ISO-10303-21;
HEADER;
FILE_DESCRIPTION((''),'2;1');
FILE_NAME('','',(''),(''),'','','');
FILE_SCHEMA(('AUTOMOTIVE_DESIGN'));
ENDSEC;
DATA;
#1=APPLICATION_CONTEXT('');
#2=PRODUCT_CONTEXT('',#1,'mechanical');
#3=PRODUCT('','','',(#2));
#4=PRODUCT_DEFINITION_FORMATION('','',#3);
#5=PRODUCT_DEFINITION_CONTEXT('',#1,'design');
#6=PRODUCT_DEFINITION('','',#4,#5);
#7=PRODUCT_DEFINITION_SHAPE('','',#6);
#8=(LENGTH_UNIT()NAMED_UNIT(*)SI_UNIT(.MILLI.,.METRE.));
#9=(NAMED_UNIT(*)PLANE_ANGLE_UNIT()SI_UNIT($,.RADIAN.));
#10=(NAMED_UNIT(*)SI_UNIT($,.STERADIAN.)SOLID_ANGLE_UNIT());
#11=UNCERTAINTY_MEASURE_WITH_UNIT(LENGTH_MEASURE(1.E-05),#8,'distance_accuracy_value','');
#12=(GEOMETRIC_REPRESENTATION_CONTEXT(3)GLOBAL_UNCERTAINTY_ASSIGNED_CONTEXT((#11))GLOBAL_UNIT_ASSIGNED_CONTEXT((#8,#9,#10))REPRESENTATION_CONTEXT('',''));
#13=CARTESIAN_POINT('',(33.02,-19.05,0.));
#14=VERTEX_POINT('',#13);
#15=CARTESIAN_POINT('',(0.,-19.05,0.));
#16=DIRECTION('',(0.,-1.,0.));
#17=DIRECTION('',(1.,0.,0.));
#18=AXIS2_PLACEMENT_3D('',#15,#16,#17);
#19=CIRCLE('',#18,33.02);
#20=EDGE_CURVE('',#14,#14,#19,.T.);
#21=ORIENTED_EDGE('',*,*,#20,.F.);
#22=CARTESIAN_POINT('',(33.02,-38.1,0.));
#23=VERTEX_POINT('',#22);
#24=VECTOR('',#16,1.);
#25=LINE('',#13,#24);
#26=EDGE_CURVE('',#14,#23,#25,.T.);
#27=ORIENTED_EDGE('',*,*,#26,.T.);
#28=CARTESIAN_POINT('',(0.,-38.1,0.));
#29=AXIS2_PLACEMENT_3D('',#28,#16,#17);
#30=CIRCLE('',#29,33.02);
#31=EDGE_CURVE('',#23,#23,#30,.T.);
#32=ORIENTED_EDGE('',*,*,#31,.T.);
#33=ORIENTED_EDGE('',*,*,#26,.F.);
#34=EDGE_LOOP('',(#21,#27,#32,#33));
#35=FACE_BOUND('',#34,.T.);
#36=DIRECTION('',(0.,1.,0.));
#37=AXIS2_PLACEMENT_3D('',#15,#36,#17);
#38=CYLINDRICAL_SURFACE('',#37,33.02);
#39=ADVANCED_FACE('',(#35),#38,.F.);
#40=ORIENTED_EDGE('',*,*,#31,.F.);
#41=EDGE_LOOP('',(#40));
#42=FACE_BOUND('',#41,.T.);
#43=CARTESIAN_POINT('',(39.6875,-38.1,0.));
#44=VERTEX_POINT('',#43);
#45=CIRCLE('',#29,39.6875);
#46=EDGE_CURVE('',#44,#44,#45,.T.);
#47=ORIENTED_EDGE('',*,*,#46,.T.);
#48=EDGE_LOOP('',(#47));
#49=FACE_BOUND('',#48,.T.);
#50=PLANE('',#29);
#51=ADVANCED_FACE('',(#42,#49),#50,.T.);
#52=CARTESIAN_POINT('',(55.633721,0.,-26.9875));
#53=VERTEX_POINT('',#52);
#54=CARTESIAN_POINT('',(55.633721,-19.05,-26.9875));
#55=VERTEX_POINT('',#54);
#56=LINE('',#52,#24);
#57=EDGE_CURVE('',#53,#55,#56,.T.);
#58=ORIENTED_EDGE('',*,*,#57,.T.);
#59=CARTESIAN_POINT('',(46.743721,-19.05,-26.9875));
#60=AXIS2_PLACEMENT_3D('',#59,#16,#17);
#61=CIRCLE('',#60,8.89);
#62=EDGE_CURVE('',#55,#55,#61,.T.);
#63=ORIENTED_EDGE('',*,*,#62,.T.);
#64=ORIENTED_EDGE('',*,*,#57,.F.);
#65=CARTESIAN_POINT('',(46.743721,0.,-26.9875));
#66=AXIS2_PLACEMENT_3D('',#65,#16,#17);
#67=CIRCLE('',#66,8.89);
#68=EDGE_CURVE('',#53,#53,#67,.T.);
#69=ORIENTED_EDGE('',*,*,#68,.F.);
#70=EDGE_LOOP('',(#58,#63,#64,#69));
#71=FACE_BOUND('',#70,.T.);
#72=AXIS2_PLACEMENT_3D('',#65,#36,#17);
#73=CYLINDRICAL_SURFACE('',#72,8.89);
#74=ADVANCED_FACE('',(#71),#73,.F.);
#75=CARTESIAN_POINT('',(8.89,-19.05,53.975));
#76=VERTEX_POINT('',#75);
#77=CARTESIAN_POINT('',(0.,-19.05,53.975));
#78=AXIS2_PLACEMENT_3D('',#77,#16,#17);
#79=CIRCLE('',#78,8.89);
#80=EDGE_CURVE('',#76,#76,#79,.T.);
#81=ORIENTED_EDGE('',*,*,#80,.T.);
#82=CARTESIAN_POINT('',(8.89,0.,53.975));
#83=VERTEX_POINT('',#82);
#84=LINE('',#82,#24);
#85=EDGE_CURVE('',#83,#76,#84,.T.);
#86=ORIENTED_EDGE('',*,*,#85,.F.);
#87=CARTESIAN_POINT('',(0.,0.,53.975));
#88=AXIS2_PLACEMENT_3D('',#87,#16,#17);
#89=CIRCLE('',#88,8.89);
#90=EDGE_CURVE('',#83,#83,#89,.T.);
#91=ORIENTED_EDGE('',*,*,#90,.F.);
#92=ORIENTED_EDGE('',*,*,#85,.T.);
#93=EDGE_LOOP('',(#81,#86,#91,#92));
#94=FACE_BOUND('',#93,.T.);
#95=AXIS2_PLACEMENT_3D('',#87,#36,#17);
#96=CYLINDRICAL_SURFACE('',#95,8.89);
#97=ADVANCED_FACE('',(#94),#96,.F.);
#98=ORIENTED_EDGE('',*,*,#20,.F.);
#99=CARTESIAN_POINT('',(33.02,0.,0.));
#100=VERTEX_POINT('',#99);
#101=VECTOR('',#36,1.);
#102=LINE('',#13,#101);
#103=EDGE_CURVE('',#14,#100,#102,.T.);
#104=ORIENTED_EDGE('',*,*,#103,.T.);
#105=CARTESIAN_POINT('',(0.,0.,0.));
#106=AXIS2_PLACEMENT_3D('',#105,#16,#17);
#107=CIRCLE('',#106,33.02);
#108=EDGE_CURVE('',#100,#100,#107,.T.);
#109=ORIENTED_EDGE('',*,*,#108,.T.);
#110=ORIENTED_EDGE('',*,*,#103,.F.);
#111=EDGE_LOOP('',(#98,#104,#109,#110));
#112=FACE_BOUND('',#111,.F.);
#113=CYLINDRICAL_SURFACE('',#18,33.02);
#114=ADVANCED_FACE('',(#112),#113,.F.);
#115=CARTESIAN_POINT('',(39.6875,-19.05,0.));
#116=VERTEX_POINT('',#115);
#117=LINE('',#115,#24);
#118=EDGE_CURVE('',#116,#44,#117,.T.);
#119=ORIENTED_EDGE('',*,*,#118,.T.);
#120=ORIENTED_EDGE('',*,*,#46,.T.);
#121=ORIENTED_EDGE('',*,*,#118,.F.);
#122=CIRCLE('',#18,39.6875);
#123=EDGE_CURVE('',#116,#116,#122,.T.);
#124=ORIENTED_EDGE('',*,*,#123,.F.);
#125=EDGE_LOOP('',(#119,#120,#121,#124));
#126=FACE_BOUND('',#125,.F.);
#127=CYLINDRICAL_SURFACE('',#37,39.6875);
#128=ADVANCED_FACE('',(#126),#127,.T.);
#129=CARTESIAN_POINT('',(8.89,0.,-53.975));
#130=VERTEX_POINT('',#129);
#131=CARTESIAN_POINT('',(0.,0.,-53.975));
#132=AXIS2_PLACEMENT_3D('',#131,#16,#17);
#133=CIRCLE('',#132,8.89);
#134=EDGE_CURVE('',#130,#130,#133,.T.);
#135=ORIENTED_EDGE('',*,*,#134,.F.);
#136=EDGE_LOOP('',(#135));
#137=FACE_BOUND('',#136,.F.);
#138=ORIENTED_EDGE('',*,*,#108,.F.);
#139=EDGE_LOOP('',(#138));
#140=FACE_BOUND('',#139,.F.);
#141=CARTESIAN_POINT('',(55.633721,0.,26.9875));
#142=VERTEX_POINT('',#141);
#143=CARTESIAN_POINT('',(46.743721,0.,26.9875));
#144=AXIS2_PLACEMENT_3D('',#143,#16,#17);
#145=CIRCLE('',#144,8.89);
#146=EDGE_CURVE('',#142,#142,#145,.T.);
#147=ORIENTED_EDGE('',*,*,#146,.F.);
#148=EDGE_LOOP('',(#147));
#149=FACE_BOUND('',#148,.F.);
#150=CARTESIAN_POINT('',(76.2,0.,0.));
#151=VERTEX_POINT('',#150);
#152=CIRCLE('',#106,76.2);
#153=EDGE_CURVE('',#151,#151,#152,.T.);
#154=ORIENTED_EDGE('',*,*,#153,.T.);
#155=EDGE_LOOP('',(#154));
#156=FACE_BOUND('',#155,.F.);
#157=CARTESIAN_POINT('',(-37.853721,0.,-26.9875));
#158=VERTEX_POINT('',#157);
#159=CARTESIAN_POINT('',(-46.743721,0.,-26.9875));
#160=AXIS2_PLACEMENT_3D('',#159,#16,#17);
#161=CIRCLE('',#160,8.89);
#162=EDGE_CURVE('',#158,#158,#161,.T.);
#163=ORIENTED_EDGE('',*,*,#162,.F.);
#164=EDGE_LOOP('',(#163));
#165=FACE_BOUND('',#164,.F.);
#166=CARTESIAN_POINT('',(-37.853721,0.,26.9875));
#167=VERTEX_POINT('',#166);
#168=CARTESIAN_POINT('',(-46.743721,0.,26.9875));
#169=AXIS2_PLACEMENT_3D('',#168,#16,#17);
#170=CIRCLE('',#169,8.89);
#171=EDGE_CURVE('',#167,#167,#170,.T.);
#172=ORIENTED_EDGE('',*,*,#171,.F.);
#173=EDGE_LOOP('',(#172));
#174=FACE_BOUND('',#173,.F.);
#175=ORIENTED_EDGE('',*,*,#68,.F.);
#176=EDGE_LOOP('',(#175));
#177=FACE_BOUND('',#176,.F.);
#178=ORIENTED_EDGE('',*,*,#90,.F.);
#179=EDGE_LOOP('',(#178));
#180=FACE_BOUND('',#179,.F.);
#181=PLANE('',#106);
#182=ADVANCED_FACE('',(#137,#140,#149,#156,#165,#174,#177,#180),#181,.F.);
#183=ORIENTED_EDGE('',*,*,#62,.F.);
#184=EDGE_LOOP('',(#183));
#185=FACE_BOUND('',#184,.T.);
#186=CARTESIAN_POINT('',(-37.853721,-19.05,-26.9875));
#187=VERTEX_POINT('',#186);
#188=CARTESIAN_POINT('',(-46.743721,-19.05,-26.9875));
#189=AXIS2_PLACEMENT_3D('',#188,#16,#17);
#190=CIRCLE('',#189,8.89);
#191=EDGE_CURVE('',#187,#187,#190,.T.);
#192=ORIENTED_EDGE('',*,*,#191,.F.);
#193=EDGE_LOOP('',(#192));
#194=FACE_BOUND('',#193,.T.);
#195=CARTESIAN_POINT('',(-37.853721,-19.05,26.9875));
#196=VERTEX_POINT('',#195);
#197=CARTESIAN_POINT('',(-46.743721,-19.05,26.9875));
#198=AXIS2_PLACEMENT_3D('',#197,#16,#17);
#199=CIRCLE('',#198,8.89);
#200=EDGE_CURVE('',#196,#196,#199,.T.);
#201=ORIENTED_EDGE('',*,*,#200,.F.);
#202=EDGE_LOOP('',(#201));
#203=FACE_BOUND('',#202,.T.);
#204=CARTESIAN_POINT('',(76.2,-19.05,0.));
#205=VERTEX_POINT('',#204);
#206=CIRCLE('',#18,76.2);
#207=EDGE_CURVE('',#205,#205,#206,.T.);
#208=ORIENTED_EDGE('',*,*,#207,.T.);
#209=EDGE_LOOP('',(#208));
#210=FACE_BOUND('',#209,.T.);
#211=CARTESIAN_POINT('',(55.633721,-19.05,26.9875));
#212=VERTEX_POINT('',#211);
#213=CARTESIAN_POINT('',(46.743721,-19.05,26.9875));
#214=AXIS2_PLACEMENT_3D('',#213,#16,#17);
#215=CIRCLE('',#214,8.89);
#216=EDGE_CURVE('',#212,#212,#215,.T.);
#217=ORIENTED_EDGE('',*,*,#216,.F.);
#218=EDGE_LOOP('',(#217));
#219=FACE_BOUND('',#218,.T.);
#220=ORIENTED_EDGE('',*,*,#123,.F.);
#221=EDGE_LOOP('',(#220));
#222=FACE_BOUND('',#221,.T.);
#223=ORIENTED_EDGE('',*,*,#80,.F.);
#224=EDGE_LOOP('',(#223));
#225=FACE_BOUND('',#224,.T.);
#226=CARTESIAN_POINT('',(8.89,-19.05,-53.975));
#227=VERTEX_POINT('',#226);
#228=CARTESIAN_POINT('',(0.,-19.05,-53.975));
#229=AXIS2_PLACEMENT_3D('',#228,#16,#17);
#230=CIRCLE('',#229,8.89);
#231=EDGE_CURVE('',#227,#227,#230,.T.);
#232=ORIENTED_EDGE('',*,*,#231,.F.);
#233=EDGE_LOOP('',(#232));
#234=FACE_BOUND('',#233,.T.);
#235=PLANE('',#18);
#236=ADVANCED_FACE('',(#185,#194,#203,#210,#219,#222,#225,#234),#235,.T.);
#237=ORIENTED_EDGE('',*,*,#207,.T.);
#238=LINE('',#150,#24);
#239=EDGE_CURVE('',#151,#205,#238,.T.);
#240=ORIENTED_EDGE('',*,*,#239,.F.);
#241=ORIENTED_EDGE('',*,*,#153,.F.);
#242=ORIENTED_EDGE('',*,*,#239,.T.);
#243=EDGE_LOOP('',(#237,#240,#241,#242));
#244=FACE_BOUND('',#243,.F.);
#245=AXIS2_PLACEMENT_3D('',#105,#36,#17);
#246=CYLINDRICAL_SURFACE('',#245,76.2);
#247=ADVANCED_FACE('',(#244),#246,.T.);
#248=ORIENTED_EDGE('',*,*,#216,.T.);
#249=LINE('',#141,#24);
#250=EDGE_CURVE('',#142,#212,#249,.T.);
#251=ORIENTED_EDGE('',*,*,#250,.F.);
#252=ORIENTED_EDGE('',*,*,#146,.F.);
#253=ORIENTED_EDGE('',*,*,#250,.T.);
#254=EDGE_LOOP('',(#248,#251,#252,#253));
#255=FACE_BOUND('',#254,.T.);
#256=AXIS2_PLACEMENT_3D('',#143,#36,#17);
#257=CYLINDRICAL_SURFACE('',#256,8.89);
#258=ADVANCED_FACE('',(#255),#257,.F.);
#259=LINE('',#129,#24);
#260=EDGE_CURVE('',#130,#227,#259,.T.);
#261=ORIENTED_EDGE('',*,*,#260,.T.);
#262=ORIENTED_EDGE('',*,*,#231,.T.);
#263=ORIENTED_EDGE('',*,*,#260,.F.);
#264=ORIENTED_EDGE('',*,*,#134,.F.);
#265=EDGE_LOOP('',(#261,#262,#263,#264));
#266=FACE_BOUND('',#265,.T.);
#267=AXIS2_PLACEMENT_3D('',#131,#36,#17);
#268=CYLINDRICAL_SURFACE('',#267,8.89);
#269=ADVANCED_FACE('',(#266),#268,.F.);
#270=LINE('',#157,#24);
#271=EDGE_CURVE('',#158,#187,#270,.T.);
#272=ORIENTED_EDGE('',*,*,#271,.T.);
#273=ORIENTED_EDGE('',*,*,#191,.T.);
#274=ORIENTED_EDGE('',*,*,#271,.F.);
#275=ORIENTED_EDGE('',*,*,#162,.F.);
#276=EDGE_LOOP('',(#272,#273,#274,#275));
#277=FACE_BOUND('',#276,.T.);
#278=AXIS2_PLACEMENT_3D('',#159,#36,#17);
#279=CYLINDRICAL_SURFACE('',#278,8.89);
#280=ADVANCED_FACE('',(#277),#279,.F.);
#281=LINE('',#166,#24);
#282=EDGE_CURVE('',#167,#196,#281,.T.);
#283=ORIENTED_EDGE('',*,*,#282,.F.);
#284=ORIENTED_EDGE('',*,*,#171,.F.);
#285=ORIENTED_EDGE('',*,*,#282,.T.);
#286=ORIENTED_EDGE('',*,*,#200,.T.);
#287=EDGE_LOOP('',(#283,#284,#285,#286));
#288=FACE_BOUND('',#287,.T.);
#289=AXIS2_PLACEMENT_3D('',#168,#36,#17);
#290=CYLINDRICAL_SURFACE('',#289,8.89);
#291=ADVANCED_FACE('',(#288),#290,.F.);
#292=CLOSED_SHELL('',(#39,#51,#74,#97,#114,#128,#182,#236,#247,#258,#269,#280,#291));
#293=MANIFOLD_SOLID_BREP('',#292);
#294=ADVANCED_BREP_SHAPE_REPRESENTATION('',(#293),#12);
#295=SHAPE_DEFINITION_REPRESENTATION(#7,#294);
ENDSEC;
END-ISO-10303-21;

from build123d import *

# Parameters (mm, degrees)
F0_R     = 76.2
F0_R_2   = 8.89
F1_DEPTH = 19.05
F2_R     = 39.6875
F2_R_2   = 33.02
F3_DEPTH = 19.05
F4_R     = 33.02
F5_DEPTH = 25.4


with BuildPart() as f1:
    # F0 (on Front) → F1 (new body)
    with BuildSketch(Plane.XZ):
        Circle(F0_R)
        with Locations((-46.743721, -26.9875)):
            Circle(F0_R_2, mode=Mode.SUBTRACT)
        with Locations((0, -53.975)):
            Circle(F0_R_2, mode=Mode.SUBTRACT)
        with Locations((46.743721, -26.9875)):
            Circle(F0_R_2, mode=Mode.SUBTRACT)
        with Locations((-46.743721, 26.9875)):
            Circle(F0_R_2, mode=Mode.SUBTRACT)
        with Locations((46.743721, 26.9875)):
            Circle(F0_R_2, mode=Mode.SUBTRACT)
        with Locations((0, 53.975)):
            Circle(F0_R_2, mode=Mode.SUBTRACT)
    extrude(amount=F1_DEPTH)

    # F2 (on face) → F3 (join)
    with BuildSketch(Plane.XZ.offset(19.05)):
        Circle(F2_R)
        Circle(F2_R_2, mode=Mode.SUBTRACT)
    extrude(amount=F3_DEPTH)

    # F4 (on face) → F5 (cut)
    with BuildSketch(Plane.XZ.offset(19.05)):
        Circle(F4_R)
    extrude(amount=-F5_DEPTH, mode=Mode.SUBTRACT)


solid = f1.part
